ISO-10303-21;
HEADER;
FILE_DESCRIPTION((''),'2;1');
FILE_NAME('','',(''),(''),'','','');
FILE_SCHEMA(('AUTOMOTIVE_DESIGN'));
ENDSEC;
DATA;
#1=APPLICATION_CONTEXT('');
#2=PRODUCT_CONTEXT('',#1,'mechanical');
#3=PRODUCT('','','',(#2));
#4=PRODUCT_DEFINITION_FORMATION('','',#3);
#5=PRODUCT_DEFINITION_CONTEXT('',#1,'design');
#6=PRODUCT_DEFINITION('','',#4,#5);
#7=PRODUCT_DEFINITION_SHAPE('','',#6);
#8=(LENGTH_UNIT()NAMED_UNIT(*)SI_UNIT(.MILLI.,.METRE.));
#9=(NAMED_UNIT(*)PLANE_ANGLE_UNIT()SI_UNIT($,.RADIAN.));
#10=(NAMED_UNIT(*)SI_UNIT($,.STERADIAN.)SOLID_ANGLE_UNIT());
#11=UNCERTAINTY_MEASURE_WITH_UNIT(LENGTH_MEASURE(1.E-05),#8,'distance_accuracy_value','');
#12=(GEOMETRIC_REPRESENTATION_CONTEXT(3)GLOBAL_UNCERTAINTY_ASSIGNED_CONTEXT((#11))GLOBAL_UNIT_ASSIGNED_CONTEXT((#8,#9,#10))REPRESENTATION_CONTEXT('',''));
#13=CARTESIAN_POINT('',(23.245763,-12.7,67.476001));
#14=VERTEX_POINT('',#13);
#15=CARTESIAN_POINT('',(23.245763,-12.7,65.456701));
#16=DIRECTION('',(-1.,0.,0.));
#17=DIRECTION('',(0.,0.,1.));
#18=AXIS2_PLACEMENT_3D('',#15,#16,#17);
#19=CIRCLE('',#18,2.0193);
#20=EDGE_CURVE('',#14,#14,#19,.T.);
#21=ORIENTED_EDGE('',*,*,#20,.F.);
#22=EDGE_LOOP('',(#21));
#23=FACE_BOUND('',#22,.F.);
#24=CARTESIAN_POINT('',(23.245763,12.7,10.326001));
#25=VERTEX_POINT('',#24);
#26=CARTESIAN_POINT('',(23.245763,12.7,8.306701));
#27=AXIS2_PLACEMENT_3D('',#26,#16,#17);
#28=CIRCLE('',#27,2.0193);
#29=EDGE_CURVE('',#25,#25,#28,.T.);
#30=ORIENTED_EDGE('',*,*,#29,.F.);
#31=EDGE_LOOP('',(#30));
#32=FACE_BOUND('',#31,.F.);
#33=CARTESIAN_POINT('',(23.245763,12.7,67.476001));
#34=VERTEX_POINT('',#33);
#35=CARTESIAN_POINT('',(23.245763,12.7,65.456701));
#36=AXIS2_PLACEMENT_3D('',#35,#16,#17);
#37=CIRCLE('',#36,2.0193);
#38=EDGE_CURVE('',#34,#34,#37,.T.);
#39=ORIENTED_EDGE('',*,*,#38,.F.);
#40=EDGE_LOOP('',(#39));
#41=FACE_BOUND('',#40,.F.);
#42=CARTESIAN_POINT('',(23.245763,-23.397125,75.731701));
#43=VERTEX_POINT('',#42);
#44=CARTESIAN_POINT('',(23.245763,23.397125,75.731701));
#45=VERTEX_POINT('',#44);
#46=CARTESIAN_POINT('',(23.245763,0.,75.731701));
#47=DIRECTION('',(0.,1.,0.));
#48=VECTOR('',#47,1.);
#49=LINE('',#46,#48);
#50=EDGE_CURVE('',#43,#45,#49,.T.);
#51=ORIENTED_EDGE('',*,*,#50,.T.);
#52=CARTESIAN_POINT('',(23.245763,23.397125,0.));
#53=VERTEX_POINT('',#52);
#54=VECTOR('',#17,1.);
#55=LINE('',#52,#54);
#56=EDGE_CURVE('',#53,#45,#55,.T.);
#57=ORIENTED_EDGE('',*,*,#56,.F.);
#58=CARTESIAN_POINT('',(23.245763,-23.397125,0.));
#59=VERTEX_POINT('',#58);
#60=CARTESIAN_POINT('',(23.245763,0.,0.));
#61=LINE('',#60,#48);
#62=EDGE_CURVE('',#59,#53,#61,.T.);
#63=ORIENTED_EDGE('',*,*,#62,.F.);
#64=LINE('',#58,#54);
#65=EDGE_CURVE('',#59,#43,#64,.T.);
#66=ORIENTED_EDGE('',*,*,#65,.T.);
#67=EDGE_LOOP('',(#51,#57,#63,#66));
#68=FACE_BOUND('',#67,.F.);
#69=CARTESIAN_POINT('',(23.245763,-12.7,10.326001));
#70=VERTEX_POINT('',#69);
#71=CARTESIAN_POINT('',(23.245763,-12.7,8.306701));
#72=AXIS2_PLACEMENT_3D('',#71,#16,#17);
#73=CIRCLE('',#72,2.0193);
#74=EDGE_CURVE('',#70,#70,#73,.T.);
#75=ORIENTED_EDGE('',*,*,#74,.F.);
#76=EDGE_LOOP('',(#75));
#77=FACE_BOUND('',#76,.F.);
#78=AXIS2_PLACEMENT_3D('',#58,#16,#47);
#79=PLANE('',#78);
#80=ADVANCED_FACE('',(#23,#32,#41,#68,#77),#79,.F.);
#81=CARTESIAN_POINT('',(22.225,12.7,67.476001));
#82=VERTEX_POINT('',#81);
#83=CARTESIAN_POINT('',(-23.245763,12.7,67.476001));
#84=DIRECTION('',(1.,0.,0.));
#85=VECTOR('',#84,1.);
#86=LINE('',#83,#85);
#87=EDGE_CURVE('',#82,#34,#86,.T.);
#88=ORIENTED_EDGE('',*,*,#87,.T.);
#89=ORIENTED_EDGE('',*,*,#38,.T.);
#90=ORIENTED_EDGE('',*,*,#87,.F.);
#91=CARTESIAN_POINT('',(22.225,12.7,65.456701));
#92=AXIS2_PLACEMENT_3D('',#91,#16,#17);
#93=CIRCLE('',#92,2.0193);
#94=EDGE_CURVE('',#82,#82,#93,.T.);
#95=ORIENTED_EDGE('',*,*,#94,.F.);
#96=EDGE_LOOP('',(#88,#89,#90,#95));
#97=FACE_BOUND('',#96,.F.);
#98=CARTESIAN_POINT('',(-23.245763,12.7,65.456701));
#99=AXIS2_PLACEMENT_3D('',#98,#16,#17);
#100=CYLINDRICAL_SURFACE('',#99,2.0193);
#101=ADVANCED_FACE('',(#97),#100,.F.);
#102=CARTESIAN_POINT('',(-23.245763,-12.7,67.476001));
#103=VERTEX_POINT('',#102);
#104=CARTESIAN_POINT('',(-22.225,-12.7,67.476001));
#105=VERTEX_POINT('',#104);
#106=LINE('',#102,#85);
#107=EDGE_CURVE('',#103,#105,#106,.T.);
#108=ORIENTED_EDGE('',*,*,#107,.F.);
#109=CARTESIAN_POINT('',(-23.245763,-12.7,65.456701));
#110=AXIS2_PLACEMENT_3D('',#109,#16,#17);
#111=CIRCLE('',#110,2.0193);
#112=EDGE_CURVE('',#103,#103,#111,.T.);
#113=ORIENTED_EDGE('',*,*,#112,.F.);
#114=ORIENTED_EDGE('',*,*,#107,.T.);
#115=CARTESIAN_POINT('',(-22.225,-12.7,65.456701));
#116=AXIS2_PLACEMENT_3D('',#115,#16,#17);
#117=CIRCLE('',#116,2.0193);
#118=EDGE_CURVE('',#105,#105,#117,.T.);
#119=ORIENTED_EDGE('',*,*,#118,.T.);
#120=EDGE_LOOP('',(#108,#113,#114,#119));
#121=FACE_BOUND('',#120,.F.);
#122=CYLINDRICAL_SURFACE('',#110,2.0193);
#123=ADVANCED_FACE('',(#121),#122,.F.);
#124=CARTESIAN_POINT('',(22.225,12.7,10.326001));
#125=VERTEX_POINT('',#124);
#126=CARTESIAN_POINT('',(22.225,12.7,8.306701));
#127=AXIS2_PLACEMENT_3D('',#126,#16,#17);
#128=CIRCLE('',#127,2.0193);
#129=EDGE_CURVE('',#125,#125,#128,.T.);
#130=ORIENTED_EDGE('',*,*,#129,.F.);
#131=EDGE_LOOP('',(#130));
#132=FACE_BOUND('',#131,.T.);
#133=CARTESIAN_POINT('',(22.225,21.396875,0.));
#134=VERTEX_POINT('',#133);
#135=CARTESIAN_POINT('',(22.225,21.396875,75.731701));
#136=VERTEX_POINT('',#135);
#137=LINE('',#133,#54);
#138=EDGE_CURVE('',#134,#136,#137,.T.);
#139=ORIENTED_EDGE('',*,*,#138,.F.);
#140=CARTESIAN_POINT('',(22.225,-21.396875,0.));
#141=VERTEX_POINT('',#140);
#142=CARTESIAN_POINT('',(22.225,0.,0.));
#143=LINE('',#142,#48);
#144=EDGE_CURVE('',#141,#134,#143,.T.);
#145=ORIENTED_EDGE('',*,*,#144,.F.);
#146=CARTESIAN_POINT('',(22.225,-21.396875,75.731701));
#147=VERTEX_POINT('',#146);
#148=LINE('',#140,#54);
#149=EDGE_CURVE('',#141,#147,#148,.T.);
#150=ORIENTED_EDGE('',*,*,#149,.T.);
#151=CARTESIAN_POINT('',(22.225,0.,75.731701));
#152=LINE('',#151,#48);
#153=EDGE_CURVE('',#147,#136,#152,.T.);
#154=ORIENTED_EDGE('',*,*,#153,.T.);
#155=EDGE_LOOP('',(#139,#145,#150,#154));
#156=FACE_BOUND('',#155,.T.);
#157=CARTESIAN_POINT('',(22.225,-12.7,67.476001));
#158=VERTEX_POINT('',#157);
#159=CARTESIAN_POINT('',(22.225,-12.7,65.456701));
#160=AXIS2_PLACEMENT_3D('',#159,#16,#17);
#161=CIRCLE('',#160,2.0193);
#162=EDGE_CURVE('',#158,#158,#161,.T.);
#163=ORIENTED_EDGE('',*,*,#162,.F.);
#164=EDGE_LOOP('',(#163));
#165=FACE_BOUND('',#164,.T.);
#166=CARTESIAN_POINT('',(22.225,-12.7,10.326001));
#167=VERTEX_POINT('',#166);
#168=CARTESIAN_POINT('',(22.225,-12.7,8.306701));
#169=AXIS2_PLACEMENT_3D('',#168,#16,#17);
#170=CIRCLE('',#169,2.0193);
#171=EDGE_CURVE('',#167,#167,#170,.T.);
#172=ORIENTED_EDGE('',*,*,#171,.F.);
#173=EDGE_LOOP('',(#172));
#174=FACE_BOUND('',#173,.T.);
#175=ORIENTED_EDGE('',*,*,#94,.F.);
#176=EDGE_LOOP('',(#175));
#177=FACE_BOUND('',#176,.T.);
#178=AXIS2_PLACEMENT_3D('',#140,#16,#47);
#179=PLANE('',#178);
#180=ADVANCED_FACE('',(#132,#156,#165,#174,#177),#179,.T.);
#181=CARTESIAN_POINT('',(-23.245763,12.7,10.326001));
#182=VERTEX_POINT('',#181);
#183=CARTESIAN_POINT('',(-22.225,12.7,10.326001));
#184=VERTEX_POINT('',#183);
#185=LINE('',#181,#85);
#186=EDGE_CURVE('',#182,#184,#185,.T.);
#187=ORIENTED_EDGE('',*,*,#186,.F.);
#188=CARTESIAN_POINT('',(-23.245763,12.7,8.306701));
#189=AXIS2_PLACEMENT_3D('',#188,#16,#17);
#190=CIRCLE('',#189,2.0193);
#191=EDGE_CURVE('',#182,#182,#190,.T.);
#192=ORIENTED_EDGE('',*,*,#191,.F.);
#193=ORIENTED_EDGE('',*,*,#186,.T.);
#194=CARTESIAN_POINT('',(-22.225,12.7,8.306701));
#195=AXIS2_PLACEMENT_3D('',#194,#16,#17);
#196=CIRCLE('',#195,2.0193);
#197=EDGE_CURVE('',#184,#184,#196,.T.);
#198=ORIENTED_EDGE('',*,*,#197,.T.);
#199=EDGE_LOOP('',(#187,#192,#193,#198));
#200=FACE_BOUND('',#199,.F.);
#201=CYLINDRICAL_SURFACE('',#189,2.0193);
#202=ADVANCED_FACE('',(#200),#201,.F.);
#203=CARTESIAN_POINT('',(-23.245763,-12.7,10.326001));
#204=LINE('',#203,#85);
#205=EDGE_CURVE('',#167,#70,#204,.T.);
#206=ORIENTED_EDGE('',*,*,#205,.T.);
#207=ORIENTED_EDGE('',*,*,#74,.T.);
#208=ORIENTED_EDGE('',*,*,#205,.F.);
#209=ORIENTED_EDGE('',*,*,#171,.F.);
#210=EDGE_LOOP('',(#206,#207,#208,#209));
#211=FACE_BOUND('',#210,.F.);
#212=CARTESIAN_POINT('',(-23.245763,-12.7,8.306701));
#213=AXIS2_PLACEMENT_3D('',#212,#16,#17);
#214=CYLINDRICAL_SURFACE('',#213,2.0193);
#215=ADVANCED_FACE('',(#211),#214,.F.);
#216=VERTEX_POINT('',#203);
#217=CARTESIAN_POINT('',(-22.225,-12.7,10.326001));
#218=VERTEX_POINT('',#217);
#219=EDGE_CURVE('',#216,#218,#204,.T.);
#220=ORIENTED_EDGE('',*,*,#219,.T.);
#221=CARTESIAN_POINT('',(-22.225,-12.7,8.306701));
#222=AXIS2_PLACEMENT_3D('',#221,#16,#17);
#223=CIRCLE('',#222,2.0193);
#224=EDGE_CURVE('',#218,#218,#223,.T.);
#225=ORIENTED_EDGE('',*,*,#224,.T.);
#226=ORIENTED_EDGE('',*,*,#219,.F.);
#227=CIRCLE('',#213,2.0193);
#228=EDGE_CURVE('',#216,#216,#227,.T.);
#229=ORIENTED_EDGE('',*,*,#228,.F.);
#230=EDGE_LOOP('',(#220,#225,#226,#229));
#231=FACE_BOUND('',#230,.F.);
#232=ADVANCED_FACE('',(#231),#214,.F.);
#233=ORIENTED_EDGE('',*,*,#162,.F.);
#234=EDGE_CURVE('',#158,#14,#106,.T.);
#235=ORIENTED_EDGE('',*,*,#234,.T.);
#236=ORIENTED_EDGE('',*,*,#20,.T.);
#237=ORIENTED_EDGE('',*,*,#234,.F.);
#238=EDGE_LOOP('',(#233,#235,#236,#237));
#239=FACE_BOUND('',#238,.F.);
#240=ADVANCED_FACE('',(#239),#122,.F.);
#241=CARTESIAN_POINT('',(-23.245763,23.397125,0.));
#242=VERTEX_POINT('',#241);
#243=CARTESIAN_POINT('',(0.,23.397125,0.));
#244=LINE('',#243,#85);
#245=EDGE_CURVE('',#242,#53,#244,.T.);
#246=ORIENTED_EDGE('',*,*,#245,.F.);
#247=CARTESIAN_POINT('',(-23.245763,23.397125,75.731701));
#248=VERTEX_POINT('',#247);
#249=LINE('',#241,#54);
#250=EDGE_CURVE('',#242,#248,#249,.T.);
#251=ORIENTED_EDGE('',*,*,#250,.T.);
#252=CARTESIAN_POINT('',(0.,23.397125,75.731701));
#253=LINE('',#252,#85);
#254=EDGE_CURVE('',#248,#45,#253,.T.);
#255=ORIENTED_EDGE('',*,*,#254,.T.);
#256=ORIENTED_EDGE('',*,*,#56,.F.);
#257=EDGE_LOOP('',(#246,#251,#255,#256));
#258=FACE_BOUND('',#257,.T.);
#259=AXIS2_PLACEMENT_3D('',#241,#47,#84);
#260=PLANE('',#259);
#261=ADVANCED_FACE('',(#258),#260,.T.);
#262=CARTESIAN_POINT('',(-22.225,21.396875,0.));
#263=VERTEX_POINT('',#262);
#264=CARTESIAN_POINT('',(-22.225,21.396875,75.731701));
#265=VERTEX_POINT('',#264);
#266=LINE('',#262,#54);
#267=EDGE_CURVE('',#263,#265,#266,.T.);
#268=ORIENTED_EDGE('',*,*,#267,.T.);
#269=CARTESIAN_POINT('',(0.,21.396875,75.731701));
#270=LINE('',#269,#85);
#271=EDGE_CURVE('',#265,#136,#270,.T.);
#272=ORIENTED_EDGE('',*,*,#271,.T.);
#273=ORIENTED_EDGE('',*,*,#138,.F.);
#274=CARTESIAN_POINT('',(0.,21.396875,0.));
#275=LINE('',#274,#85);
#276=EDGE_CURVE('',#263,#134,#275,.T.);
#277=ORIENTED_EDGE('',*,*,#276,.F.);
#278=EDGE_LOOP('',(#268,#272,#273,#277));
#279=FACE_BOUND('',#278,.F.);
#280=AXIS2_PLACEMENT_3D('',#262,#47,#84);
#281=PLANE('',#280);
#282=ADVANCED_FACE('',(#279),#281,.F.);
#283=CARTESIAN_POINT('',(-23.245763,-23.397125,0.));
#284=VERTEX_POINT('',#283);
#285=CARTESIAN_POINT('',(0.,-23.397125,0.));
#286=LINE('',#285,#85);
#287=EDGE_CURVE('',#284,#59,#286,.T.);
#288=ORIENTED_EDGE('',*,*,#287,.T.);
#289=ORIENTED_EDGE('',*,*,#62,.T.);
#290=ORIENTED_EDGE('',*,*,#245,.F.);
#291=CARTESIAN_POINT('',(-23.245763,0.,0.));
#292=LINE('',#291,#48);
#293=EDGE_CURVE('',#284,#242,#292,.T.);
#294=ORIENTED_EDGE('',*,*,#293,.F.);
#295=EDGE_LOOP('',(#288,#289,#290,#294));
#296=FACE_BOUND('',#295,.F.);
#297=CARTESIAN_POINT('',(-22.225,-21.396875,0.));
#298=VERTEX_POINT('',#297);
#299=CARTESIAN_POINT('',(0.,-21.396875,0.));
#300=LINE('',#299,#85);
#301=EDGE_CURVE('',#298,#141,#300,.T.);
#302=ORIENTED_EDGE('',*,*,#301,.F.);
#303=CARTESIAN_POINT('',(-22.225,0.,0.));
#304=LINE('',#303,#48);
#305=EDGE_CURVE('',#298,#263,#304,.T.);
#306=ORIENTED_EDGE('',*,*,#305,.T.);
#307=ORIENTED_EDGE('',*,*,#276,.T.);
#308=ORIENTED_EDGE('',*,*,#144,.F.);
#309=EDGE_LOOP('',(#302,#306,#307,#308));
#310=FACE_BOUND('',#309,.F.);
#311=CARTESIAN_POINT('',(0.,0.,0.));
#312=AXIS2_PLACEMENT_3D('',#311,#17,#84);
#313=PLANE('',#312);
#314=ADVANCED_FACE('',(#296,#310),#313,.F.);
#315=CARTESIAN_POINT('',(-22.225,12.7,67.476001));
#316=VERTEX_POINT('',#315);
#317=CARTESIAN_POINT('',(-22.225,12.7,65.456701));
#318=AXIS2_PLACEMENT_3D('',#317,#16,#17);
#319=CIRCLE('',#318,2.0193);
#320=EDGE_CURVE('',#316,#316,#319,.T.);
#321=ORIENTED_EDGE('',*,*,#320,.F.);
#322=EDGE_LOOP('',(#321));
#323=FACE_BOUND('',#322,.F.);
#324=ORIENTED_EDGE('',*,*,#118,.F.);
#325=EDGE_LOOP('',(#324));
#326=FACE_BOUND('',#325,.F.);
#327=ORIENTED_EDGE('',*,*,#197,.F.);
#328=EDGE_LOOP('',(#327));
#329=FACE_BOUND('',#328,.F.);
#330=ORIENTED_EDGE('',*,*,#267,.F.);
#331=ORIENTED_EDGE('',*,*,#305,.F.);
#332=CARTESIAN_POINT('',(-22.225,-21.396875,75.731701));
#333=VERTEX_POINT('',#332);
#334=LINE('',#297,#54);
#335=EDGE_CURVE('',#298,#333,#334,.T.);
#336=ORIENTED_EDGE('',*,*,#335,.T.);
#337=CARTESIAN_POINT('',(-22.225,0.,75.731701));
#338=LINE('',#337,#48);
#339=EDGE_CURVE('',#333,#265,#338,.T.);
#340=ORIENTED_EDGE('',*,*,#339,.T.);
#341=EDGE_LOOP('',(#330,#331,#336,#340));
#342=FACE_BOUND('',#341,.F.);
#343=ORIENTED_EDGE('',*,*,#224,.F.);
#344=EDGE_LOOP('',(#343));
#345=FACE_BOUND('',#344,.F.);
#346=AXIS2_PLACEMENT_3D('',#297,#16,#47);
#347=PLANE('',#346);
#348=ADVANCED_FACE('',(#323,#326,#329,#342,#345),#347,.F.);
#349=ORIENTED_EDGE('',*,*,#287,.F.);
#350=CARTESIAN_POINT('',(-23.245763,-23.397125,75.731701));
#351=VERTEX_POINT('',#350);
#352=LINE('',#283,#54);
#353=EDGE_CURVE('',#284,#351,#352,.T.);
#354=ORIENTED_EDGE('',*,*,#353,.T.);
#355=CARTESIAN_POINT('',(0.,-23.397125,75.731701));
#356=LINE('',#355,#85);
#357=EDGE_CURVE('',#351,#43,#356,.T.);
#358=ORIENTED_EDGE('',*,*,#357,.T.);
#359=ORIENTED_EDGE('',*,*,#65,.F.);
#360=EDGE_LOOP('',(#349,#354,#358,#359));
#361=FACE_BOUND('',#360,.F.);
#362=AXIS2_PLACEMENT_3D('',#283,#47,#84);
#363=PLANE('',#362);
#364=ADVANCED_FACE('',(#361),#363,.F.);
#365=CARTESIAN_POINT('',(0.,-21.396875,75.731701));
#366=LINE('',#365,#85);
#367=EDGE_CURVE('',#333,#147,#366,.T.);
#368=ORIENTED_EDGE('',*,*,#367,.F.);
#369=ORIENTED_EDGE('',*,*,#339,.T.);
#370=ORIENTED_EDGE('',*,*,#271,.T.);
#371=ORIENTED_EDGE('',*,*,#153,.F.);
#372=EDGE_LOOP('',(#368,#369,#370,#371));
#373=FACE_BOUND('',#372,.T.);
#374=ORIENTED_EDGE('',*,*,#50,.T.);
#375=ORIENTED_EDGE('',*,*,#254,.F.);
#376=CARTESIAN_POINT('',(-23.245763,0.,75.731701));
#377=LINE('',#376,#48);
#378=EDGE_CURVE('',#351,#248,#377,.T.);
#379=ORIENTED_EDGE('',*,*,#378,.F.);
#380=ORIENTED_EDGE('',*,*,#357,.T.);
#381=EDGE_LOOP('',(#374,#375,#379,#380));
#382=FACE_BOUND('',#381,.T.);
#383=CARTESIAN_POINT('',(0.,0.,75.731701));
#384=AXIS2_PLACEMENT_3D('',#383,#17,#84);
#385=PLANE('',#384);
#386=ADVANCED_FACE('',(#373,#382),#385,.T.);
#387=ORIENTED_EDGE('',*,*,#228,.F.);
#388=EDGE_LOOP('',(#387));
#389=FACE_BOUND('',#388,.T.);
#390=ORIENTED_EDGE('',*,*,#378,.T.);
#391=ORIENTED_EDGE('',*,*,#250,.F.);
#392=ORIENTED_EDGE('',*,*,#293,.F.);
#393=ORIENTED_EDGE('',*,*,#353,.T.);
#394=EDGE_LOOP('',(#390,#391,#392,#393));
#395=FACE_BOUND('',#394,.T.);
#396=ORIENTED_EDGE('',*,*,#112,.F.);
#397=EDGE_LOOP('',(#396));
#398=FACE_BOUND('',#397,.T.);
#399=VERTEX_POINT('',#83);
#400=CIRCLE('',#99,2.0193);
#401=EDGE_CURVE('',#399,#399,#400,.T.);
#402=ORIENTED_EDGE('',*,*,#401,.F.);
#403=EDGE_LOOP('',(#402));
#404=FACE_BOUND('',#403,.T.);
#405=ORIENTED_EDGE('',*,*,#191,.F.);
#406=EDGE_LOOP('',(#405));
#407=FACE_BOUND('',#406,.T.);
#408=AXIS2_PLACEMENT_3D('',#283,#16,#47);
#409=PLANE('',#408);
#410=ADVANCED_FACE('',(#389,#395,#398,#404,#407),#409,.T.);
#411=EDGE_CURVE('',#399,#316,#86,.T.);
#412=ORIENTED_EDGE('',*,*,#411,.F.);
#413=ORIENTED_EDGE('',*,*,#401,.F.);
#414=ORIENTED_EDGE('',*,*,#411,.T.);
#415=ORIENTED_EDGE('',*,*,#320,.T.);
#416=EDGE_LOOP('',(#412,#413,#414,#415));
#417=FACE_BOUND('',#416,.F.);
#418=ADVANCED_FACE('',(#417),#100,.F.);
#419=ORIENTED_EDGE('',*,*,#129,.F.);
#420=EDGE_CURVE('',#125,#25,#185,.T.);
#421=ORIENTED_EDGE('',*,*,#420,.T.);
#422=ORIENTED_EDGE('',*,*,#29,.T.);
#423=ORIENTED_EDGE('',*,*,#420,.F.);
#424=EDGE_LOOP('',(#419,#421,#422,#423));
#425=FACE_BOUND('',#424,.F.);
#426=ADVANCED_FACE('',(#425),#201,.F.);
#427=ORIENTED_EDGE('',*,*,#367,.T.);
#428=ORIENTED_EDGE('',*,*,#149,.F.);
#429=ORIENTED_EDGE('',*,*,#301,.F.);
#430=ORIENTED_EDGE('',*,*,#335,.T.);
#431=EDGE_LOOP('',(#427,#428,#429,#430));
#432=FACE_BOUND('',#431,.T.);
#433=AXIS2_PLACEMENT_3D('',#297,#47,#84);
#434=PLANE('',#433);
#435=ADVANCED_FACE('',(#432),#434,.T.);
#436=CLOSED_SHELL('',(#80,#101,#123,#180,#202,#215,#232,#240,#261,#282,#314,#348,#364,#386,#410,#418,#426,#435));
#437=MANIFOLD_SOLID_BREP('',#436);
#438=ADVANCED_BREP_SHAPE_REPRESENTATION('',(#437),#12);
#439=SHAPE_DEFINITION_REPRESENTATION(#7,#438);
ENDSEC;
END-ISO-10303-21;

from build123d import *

# Parameters (mm, degrees)
CROQUIS1_W              = 46.491525
CROQUIS1_H              = 46.794250074
CROQUIS1_W_2            = 44.45
CROQUIS1_H_2            = 42.793750074
SALIENTE_EXTRUIR1_DEPTH = 75.731700962
CROQUIS2_R              = 2.0193
CORTAR_EXTRUIR1_DEPTH   = 92.89220798


with BuildPart() as part:
    # Croquis1 → Saliente-Extruir1 (new body)
    with BuildSketch(Plane.XY):
        Rectangle(CROQUIS1_W, CROQUIS1_H)
        Rectangle(CROQUIS1_W_2, CROQUIS1_H_2, mode=Mode.SUBTRACT)
    extrude(amount=SALIENTE_EXTRUIR1_DEPTH)

    # Croquis2 → Cortar-Extruir1 (cut, through all)
    with BuildSketch(Plane(origin=(-23.2457625, 0, 0), x_dir=(0, 1, 0), z_dir=(-1, 0, 0))):
        with Locations(Location((12.699999873, -65.456700938, 0), (0, 0, 270))):
            Circle(CROQUIS2_R)
        with Locations(Location((-12.699999873, -65.456700938, 0), (0, 0, 270))):
            Circle(CROQUIS2_R)
        with Locations(Location((-12.699999873, -8.306700938, 0), (0, 0, 270))):
            Circle(CROQUIS2_R)
        with Locations(Location((12.699999873, -8.306700938, 0), (0, 0, 270))):
            Circle(CROQUIS2_R)
    extrude(amount=-CORTAR_EXTRUIR1_DEPTH, mode=Mode.SUBTRACT)


solid = part.part
